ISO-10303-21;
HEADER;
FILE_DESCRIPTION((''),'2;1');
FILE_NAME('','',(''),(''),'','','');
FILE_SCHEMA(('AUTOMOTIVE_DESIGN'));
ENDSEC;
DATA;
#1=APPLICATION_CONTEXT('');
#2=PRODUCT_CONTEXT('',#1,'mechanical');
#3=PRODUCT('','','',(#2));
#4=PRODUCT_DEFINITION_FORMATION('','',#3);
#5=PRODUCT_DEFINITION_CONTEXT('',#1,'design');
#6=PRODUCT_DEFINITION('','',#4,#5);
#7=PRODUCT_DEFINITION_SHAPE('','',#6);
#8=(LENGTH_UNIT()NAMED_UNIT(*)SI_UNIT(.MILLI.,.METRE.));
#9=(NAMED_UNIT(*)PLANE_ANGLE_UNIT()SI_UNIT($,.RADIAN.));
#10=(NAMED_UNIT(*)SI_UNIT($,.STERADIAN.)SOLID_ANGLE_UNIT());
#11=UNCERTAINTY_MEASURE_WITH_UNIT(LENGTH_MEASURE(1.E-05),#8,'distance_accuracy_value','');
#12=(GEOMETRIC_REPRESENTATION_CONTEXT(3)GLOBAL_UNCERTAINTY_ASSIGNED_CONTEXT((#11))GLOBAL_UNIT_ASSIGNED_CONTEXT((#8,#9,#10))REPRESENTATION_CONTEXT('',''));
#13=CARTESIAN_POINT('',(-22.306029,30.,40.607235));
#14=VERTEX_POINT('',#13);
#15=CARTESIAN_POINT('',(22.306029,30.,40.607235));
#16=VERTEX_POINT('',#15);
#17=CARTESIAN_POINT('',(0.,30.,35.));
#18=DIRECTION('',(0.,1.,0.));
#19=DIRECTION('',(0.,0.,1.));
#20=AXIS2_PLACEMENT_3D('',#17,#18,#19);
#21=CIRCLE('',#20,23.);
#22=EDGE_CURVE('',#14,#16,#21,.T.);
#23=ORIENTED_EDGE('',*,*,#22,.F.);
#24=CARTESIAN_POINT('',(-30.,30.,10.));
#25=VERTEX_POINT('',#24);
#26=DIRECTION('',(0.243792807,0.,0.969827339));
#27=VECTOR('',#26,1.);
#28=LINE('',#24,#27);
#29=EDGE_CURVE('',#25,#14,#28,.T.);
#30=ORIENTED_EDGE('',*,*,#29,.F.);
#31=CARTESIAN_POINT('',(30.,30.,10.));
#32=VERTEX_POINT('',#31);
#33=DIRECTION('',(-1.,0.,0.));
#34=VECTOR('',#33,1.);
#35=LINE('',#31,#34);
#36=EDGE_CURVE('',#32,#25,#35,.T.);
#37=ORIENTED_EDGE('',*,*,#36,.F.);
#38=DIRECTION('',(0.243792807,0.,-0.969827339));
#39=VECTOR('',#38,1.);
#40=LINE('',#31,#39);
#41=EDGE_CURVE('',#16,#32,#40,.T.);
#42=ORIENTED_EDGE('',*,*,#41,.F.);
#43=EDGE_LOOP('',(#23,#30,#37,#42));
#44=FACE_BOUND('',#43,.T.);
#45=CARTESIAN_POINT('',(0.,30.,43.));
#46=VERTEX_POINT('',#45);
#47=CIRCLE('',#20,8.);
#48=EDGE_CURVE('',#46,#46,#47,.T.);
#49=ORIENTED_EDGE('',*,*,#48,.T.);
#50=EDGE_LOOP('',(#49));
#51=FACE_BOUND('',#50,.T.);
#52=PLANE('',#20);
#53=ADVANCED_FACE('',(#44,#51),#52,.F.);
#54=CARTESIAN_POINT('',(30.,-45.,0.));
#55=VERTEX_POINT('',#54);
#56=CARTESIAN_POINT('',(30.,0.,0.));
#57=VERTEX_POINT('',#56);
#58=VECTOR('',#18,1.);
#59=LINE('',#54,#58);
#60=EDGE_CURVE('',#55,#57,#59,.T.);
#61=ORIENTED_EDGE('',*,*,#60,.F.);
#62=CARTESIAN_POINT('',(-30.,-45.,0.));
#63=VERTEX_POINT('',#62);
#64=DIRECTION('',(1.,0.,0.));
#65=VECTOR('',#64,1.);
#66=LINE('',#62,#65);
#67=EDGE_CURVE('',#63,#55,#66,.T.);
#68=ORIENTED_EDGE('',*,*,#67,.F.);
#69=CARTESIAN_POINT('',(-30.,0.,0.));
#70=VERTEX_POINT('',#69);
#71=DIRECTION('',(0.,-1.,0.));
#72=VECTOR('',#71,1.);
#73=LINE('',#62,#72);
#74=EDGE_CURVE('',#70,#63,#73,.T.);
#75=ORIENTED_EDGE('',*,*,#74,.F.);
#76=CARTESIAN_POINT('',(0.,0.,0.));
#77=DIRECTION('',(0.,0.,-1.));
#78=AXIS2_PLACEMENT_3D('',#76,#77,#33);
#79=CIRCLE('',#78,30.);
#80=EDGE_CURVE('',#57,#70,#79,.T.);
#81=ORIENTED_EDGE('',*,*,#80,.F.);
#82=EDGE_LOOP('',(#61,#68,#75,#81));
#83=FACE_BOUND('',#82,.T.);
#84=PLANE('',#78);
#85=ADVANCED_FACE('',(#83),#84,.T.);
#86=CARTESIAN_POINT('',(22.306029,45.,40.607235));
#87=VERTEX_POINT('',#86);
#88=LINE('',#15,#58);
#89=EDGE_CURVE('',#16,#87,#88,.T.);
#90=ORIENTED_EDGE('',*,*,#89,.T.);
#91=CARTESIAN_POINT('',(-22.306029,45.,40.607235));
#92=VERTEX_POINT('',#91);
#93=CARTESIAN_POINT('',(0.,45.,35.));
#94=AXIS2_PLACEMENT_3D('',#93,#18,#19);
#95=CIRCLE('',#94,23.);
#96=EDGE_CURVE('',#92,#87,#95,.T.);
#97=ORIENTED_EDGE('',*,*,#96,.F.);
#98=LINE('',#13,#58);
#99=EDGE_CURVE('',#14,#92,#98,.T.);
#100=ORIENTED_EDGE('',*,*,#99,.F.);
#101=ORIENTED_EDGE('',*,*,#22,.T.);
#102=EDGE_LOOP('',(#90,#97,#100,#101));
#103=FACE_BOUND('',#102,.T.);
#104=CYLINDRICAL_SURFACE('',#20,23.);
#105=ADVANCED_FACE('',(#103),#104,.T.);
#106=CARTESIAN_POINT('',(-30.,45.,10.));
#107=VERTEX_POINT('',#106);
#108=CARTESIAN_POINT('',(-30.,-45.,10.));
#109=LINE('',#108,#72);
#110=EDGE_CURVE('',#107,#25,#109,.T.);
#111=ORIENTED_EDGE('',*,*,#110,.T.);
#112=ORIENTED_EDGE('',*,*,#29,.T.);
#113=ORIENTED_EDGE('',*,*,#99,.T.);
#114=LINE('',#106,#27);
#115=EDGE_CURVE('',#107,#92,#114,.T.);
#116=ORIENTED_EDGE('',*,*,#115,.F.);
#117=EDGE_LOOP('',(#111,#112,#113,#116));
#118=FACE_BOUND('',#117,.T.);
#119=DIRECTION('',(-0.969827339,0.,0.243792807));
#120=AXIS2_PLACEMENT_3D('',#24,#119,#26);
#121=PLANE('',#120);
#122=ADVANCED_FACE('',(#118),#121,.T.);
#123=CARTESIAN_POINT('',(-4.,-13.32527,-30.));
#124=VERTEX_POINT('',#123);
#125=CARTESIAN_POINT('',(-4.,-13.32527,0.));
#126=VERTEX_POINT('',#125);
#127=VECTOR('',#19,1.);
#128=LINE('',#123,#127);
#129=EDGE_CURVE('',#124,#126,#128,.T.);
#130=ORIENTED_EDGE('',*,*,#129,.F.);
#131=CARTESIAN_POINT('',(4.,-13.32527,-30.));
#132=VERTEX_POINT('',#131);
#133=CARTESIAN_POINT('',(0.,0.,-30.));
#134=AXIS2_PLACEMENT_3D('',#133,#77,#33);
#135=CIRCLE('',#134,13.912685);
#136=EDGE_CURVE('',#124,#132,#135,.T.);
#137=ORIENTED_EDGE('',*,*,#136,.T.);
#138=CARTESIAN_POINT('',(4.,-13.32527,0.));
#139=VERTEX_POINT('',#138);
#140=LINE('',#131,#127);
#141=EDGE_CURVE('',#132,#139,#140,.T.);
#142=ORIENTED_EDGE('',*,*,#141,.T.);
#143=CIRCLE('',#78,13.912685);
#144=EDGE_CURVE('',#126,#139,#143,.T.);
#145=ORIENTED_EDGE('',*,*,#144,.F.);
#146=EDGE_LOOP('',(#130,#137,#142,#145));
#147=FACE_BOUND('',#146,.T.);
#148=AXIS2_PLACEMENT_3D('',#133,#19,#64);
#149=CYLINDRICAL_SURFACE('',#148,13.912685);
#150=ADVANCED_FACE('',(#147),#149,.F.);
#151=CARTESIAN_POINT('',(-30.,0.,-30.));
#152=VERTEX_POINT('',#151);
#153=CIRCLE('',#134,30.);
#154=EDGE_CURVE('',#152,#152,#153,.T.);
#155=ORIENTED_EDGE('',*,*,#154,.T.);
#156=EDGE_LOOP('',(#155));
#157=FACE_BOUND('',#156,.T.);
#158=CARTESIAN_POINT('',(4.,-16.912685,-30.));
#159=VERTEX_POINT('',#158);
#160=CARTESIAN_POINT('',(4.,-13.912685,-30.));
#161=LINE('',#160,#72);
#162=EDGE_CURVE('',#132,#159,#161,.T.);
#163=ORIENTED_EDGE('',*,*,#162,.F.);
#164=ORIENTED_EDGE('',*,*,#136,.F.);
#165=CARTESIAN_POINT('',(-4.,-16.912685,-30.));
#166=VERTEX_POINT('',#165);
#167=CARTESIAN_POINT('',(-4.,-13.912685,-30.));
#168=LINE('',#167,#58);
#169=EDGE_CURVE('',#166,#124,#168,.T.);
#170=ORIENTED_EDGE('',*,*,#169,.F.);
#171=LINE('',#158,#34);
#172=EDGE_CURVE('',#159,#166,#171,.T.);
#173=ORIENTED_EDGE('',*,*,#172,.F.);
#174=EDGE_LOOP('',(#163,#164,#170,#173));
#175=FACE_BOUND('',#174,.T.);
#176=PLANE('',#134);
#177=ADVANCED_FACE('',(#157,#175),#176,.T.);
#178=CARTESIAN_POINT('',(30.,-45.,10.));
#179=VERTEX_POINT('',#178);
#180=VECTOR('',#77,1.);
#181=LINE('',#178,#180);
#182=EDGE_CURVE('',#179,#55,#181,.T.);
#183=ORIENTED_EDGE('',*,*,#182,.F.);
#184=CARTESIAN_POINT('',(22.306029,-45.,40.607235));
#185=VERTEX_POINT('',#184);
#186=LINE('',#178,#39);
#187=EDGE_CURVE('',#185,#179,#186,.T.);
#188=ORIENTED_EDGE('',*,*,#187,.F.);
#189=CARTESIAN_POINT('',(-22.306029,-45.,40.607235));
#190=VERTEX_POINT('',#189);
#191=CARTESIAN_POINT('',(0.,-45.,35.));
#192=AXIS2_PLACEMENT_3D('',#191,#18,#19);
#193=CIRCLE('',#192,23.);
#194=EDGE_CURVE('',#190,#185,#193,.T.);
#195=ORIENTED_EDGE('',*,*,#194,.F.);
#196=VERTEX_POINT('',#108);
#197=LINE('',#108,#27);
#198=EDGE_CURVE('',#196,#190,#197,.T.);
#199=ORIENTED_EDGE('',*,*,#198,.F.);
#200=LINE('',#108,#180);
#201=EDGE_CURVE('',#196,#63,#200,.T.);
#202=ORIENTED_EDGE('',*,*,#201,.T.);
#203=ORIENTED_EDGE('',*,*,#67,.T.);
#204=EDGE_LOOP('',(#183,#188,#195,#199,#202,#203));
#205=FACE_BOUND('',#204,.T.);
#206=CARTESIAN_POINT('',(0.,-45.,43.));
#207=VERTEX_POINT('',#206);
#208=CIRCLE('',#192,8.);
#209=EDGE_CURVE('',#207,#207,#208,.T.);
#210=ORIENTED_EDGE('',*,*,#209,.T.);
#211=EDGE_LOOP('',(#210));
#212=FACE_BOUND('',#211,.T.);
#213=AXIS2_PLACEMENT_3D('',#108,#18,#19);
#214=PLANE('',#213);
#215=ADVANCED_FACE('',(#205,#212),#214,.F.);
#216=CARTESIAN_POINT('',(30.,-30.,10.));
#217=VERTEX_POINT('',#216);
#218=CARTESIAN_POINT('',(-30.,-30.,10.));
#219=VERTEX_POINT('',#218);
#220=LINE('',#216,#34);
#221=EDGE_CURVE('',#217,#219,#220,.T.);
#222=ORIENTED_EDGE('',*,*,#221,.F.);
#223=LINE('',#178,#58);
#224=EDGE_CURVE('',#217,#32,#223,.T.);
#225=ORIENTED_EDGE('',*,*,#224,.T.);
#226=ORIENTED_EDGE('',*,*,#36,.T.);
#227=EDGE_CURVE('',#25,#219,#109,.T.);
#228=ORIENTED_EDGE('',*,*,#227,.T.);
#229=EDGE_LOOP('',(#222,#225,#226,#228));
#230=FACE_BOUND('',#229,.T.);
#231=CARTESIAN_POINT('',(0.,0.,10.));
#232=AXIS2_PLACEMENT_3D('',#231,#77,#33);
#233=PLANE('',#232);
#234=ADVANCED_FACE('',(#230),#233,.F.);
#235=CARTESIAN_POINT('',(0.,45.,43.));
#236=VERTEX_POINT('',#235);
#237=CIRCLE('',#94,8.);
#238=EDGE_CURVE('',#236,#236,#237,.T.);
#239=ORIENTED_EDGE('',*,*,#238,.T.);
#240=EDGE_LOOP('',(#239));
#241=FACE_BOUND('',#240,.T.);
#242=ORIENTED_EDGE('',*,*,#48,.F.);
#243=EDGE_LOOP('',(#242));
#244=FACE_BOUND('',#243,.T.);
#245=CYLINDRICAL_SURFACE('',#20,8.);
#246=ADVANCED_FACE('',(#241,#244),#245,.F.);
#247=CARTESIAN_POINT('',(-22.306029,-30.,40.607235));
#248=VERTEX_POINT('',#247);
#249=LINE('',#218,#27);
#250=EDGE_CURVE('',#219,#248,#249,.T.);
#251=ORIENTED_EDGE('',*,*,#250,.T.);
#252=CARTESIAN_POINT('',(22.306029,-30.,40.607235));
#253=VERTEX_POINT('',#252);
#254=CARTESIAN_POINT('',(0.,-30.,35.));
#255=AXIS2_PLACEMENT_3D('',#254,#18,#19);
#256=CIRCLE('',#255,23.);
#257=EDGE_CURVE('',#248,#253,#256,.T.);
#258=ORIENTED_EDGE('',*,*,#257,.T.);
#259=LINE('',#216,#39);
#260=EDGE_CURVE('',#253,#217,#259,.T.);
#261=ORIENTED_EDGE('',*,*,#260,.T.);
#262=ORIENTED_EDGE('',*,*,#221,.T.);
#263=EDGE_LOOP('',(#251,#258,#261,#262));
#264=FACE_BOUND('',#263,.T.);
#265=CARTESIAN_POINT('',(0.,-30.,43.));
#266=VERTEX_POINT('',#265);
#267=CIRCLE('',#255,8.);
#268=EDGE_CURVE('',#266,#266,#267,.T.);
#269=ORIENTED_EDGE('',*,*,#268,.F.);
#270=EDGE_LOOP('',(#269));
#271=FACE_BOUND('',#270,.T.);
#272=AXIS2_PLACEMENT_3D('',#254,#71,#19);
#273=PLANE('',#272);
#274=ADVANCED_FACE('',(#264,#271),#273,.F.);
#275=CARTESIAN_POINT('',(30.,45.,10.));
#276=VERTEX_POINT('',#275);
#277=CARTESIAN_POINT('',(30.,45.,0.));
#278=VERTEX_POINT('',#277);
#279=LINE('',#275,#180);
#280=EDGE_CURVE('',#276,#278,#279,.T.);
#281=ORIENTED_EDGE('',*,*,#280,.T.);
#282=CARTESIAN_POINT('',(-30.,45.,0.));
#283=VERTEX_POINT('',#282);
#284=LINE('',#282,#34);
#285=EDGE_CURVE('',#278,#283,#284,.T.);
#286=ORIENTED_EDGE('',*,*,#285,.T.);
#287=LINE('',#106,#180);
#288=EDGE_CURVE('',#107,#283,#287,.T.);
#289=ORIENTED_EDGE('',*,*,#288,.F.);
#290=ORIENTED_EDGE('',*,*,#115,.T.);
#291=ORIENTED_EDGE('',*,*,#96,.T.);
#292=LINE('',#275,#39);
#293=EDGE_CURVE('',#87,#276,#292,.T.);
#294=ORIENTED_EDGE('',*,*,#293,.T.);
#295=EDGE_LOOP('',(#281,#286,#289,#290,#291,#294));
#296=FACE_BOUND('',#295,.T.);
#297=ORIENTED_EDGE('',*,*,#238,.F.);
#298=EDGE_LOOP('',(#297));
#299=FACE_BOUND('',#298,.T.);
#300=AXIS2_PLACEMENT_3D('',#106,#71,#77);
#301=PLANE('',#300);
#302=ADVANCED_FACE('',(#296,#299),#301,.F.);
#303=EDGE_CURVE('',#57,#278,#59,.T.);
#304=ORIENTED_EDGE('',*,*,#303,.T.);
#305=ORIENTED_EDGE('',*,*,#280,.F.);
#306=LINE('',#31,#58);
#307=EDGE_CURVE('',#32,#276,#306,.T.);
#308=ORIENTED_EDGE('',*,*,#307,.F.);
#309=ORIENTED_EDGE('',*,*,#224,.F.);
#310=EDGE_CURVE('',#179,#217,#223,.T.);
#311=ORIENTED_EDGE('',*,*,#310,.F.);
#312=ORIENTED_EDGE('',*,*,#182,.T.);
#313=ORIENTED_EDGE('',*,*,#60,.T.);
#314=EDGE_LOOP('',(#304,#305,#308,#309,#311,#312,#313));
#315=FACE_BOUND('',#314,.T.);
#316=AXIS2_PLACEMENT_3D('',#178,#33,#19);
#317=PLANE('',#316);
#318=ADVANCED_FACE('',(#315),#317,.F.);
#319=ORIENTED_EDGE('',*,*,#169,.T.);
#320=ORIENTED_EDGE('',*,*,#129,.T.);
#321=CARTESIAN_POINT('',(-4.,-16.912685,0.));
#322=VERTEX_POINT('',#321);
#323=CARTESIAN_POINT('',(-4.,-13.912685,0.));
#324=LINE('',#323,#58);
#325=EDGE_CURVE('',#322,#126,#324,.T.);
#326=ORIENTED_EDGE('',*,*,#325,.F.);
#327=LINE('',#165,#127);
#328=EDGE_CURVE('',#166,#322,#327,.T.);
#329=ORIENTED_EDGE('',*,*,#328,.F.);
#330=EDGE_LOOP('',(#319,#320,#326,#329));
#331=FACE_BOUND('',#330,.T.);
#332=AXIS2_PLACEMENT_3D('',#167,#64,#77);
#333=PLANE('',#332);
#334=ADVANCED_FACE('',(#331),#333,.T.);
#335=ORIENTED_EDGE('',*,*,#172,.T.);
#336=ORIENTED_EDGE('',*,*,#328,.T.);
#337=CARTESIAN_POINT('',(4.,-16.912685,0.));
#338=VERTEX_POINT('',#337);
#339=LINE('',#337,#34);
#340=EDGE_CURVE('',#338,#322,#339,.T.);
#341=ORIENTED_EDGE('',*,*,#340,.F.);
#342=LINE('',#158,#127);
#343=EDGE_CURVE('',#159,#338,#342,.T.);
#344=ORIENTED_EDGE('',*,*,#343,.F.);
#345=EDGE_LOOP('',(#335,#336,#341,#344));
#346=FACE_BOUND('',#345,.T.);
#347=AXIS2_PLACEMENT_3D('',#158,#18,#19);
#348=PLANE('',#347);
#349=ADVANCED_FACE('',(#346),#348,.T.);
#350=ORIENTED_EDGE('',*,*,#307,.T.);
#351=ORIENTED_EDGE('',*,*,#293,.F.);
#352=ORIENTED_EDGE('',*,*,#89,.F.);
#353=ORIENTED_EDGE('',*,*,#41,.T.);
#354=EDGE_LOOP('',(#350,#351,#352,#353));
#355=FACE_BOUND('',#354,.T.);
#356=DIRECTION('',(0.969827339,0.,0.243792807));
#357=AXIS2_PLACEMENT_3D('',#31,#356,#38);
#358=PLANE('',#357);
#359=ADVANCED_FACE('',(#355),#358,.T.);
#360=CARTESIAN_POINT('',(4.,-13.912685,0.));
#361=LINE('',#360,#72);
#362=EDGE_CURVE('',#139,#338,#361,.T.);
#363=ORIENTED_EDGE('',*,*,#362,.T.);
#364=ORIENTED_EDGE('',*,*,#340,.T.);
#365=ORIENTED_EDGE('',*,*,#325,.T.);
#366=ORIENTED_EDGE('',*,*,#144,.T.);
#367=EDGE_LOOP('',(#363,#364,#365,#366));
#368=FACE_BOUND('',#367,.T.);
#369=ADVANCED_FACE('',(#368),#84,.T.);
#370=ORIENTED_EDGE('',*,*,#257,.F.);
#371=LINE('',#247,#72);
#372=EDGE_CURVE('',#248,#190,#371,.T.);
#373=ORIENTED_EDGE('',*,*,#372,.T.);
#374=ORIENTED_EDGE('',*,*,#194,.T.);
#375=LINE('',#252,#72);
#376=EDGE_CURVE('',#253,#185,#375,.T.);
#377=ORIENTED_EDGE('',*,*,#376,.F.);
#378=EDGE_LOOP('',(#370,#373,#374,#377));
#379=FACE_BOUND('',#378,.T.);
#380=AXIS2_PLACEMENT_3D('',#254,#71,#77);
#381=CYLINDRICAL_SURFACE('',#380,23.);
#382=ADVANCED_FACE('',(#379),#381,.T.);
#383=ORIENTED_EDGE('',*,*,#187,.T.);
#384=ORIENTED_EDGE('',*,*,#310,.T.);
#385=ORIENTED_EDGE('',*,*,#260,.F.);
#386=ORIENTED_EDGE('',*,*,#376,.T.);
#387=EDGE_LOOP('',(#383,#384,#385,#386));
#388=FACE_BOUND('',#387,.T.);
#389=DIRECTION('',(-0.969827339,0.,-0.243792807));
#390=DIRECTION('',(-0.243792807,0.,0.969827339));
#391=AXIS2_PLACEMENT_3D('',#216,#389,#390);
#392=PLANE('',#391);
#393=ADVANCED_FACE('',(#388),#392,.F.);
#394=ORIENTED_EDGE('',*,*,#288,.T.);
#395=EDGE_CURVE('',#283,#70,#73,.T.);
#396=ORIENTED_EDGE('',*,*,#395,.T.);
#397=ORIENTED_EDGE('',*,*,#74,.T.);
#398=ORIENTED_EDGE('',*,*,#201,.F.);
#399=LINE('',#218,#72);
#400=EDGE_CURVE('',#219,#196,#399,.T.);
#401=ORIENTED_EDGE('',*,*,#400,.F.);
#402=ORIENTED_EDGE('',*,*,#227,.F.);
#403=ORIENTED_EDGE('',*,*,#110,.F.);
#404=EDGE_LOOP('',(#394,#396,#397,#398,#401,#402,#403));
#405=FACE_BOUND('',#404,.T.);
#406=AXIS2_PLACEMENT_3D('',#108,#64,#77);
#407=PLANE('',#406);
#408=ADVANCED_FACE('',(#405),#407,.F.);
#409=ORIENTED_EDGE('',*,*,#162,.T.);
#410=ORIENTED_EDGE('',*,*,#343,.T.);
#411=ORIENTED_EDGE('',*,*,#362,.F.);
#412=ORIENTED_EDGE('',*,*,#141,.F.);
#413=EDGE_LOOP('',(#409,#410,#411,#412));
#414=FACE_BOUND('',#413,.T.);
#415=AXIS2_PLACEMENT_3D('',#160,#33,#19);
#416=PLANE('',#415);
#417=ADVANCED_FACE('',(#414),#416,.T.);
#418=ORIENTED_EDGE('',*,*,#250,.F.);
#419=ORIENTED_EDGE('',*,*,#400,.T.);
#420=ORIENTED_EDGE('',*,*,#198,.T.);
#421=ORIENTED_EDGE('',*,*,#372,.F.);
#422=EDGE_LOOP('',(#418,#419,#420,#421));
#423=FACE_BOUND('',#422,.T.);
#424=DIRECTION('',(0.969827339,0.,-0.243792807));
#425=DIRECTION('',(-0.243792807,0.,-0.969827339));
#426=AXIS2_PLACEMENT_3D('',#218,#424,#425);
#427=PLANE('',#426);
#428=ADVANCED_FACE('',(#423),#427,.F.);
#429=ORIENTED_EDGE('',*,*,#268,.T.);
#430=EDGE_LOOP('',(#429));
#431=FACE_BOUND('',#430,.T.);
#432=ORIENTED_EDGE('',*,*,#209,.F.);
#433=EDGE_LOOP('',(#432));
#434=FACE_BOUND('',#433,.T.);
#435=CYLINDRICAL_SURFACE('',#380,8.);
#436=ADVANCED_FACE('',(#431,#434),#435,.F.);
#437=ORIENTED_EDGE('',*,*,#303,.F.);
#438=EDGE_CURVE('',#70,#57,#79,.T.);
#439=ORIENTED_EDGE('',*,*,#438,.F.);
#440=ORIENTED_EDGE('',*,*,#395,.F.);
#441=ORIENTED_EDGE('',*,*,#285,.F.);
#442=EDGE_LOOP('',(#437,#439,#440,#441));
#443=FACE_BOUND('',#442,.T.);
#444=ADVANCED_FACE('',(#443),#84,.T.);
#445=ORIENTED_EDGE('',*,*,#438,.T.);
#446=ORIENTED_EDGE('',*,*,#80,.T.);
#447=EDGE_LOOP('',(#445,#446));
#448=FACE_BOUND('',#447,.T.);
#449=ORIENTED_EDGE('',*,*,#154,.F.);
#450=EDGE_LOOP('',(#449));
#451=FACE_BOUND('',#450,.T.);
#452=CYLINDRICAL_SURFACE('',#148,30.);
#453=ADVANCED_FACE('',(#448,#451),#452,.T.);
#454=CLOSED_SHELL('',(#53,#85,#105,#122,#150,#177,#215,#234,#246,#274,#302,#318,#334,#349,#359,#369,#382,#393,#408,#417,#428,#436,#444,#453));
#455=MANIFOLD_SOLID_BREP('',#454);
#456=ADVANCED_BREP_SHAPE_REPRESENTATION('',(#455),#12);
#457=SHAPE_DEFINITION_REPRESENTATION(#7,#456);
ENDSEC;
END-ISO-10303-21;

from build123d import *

# Parameters (mm, degrees)
SKETCH1_W           = 60
SKETCH1_H           = 90
BOSS_EXTRUDE1_DEPTH = 10
SKETCH2_R           = 30
BOSS_EXTRUDE2_DEPTH = 30
SKETCH6_R           = 8
BOSS_EXTRUDE3_DEPTH = 15


with BuildPart() as part:
    # Sketch1 → Boss-Extrude1 (new body)
    with BuildSketch(Plane.XY):
        Rectangle(SKETCH1_W, SKETCH1_H)
    extrude(amount=BOSS_EXTRUDE1_DEPTH)

    # Sketch2 → Boss-Extrude2 (add)
    with BuildSketch(Plane(origin=(0, 0, 0), x_dir=(-1, 0, 0), z_dir=(0, 0, -1))):
        Circle(SKETCH2_R)
        with BuildLine():
            Line((4, -13.912685387), (4, -13.325269778))
            ThreePointArc((4, -13.325269778), (0, 13.912685387), (-4, -13.325269778))
            Line((-4, -13.325269778), (-4, -13.912685387))
            Line((-4, -13.912685387), (-4, -16.912685387))
            Line((-4, -16.912685387), (4, -16.912685387))
            Line((4, -16.912685387), (4, -13.912685387))
        make_face(mode=Mode.SUBTRACT)
    extrude(amount=BOSS_EXTRUDE2_DEPTH)

    # Sketch6 → Boss-Extrude3 (add)
    with BuildSketch(Plane(origin=(0, 45, 0), x_dir=(1, 0, 0), z_dir=(0, 1, 0))):
        with BuildLine():
            Line((-30, -10), (-22.306028796, -40.607234555))
            ThreePointArc((-22.306028796, -40.607234555), (0, -58), (22.306028796, -40.607234555))
            Line((22.306028796, -40.607234555), (30, -10))
            Line((30, -10), (-30, -10))
        make_face()
        with Locations(Location((0, -35, 0), (0, 0, 270))):
            Circle(SKETCH6_R, mode=Mode.SUBTRACT)
    boss_extrude3 = extrude(amount=-BOSS_EXTRUDE3_DEPTH)

    # Mirror1: Boss-Extrude3 across plane
    add(boss_extrude3.mirror(Plane.ZX))


solid = part.part
